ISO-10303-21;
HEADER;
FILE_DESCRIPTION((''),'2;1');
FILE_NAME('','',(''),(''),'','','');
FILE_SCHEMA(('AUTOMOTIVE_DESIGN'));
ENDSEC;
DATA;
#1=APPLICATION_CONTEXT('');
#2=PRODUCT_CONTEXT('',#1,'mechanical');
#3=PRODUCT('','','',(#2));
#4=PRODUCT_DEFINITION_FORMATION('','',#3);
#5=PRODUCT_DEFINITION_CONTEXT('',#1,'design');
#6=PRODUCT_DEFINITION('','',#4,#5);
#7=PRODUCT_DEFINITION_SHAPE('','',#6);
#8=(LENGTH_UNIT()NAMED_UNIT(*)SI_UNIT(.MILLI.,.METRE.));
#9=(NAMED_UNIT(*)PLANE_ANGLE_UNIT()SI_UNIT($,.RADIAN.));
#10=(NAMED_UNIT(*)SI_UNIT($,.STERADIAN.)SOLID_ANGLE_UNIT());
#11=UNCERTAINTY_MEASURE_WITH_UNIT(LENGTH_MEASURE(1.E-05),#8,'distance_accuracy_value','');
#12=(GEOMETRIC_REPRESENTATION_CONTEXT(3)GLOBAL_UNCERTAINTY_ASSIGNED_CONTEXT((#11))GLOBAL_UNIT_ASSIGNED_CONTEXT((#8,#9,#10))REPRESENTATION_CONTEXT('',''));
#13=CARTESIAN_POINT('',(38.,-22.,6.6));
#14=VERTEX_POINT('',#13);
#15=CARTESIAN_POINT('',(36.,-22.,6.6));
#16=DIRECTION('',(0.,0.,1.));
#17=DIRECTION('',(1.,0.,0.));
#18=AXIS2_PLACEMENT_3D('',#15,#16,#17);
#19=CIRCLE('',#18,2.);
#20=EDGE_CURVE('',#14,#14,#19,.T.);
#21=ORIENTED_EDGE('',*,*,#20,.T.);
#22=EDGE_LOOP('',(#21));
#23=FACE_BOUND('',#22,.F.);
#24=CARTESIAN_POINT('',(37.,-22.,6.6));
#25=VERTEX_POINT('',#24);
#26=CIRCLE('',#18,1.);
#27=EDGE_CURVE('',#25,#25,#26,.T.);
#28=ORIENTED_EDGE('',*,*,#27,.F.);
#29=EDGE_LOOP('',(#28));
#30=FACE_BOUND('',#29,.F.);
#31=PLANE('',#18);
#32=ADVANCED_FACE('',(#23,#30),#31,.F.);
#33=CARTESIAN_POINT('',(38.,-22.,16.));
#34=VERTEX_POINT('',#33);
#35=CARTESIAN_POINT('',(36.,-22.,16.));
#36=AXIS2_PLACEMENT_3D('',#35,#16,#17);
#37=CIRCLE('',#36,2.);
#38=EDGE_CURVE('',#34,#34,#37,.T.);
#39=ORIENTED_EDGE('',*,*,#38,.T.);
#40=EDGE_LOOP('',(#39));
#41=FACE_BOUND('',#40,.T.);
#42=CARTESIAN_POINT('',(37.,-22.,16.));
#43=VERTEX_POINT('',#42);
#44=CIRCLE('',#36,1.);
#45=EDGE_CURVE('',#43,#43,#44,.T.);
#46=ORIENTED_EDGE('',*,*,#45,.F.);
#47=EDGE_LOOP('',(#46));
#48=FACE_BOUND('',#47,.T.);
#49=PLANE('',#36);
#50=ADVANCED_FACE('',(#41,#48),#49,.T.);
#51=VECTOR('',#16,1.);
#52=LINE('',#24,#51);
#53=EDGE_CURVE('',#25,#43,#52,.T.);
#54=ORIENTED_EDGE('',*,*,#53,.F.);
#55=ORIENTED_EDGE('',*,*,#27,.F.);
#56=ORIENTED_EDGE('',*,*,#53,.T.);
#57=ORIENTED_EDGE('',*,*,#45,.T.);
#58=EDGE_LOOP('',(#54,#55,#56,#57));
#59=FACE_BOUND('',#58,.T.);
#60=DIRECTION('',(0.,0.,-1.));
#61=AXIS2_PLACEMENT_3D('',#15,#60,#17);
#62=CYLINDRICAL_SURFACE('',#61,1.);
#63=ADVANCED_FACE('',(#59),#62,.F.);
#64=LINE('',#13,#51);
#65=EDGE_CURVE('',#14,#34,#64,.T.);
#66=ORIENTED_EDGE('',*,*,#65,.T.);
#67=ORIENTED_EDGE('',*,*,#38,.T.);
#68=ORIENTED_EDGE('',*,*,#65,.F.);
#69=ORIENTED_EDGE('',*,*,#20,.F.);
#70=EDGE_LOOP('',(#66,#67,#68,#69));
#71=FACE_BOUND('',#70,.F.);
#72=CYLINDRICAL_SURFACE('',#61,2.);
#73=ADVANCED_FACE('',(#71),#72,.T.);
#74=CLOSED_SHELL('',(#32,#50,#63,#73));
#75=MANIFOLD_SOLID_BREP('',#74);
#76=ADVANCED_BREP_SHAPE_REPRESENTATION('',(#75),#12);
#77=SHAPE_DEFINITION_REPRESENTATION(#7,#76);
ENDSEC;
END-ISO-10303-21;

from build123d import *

# Parameters (mm, degrees)
SKETCH316_R      = 1
EXTRUDE171_DEPTH = 9.4
SKETCH317_R      = 2
EXTRUDE172_DEPTH = 9.4


with BuildPart() as extrude171:
    # Sketch316 → Extrude171 (new body)
    with BuildSketch(Plane.XY.offset(6.6)):
        with Locations((36, -22)):
            Circle(SKETCH316_R)
    extrude(amount=EXTRUDE171_DEPTH)


with BuildPart() as cut074:
    # Sketch317 → Extrude172 (new body)
    with BuildSketch(Plane.XY.offset(6.6)):
        with Locations((36, -22)):
            Circle(SKETCH317_R)
    extrude(amount=EXTRUDE172_DEPTH)

    # Cut074: cut Extrude171
    add(extrude171.part, mode=Mode.SUBTRACT)


solid = cut074.part
